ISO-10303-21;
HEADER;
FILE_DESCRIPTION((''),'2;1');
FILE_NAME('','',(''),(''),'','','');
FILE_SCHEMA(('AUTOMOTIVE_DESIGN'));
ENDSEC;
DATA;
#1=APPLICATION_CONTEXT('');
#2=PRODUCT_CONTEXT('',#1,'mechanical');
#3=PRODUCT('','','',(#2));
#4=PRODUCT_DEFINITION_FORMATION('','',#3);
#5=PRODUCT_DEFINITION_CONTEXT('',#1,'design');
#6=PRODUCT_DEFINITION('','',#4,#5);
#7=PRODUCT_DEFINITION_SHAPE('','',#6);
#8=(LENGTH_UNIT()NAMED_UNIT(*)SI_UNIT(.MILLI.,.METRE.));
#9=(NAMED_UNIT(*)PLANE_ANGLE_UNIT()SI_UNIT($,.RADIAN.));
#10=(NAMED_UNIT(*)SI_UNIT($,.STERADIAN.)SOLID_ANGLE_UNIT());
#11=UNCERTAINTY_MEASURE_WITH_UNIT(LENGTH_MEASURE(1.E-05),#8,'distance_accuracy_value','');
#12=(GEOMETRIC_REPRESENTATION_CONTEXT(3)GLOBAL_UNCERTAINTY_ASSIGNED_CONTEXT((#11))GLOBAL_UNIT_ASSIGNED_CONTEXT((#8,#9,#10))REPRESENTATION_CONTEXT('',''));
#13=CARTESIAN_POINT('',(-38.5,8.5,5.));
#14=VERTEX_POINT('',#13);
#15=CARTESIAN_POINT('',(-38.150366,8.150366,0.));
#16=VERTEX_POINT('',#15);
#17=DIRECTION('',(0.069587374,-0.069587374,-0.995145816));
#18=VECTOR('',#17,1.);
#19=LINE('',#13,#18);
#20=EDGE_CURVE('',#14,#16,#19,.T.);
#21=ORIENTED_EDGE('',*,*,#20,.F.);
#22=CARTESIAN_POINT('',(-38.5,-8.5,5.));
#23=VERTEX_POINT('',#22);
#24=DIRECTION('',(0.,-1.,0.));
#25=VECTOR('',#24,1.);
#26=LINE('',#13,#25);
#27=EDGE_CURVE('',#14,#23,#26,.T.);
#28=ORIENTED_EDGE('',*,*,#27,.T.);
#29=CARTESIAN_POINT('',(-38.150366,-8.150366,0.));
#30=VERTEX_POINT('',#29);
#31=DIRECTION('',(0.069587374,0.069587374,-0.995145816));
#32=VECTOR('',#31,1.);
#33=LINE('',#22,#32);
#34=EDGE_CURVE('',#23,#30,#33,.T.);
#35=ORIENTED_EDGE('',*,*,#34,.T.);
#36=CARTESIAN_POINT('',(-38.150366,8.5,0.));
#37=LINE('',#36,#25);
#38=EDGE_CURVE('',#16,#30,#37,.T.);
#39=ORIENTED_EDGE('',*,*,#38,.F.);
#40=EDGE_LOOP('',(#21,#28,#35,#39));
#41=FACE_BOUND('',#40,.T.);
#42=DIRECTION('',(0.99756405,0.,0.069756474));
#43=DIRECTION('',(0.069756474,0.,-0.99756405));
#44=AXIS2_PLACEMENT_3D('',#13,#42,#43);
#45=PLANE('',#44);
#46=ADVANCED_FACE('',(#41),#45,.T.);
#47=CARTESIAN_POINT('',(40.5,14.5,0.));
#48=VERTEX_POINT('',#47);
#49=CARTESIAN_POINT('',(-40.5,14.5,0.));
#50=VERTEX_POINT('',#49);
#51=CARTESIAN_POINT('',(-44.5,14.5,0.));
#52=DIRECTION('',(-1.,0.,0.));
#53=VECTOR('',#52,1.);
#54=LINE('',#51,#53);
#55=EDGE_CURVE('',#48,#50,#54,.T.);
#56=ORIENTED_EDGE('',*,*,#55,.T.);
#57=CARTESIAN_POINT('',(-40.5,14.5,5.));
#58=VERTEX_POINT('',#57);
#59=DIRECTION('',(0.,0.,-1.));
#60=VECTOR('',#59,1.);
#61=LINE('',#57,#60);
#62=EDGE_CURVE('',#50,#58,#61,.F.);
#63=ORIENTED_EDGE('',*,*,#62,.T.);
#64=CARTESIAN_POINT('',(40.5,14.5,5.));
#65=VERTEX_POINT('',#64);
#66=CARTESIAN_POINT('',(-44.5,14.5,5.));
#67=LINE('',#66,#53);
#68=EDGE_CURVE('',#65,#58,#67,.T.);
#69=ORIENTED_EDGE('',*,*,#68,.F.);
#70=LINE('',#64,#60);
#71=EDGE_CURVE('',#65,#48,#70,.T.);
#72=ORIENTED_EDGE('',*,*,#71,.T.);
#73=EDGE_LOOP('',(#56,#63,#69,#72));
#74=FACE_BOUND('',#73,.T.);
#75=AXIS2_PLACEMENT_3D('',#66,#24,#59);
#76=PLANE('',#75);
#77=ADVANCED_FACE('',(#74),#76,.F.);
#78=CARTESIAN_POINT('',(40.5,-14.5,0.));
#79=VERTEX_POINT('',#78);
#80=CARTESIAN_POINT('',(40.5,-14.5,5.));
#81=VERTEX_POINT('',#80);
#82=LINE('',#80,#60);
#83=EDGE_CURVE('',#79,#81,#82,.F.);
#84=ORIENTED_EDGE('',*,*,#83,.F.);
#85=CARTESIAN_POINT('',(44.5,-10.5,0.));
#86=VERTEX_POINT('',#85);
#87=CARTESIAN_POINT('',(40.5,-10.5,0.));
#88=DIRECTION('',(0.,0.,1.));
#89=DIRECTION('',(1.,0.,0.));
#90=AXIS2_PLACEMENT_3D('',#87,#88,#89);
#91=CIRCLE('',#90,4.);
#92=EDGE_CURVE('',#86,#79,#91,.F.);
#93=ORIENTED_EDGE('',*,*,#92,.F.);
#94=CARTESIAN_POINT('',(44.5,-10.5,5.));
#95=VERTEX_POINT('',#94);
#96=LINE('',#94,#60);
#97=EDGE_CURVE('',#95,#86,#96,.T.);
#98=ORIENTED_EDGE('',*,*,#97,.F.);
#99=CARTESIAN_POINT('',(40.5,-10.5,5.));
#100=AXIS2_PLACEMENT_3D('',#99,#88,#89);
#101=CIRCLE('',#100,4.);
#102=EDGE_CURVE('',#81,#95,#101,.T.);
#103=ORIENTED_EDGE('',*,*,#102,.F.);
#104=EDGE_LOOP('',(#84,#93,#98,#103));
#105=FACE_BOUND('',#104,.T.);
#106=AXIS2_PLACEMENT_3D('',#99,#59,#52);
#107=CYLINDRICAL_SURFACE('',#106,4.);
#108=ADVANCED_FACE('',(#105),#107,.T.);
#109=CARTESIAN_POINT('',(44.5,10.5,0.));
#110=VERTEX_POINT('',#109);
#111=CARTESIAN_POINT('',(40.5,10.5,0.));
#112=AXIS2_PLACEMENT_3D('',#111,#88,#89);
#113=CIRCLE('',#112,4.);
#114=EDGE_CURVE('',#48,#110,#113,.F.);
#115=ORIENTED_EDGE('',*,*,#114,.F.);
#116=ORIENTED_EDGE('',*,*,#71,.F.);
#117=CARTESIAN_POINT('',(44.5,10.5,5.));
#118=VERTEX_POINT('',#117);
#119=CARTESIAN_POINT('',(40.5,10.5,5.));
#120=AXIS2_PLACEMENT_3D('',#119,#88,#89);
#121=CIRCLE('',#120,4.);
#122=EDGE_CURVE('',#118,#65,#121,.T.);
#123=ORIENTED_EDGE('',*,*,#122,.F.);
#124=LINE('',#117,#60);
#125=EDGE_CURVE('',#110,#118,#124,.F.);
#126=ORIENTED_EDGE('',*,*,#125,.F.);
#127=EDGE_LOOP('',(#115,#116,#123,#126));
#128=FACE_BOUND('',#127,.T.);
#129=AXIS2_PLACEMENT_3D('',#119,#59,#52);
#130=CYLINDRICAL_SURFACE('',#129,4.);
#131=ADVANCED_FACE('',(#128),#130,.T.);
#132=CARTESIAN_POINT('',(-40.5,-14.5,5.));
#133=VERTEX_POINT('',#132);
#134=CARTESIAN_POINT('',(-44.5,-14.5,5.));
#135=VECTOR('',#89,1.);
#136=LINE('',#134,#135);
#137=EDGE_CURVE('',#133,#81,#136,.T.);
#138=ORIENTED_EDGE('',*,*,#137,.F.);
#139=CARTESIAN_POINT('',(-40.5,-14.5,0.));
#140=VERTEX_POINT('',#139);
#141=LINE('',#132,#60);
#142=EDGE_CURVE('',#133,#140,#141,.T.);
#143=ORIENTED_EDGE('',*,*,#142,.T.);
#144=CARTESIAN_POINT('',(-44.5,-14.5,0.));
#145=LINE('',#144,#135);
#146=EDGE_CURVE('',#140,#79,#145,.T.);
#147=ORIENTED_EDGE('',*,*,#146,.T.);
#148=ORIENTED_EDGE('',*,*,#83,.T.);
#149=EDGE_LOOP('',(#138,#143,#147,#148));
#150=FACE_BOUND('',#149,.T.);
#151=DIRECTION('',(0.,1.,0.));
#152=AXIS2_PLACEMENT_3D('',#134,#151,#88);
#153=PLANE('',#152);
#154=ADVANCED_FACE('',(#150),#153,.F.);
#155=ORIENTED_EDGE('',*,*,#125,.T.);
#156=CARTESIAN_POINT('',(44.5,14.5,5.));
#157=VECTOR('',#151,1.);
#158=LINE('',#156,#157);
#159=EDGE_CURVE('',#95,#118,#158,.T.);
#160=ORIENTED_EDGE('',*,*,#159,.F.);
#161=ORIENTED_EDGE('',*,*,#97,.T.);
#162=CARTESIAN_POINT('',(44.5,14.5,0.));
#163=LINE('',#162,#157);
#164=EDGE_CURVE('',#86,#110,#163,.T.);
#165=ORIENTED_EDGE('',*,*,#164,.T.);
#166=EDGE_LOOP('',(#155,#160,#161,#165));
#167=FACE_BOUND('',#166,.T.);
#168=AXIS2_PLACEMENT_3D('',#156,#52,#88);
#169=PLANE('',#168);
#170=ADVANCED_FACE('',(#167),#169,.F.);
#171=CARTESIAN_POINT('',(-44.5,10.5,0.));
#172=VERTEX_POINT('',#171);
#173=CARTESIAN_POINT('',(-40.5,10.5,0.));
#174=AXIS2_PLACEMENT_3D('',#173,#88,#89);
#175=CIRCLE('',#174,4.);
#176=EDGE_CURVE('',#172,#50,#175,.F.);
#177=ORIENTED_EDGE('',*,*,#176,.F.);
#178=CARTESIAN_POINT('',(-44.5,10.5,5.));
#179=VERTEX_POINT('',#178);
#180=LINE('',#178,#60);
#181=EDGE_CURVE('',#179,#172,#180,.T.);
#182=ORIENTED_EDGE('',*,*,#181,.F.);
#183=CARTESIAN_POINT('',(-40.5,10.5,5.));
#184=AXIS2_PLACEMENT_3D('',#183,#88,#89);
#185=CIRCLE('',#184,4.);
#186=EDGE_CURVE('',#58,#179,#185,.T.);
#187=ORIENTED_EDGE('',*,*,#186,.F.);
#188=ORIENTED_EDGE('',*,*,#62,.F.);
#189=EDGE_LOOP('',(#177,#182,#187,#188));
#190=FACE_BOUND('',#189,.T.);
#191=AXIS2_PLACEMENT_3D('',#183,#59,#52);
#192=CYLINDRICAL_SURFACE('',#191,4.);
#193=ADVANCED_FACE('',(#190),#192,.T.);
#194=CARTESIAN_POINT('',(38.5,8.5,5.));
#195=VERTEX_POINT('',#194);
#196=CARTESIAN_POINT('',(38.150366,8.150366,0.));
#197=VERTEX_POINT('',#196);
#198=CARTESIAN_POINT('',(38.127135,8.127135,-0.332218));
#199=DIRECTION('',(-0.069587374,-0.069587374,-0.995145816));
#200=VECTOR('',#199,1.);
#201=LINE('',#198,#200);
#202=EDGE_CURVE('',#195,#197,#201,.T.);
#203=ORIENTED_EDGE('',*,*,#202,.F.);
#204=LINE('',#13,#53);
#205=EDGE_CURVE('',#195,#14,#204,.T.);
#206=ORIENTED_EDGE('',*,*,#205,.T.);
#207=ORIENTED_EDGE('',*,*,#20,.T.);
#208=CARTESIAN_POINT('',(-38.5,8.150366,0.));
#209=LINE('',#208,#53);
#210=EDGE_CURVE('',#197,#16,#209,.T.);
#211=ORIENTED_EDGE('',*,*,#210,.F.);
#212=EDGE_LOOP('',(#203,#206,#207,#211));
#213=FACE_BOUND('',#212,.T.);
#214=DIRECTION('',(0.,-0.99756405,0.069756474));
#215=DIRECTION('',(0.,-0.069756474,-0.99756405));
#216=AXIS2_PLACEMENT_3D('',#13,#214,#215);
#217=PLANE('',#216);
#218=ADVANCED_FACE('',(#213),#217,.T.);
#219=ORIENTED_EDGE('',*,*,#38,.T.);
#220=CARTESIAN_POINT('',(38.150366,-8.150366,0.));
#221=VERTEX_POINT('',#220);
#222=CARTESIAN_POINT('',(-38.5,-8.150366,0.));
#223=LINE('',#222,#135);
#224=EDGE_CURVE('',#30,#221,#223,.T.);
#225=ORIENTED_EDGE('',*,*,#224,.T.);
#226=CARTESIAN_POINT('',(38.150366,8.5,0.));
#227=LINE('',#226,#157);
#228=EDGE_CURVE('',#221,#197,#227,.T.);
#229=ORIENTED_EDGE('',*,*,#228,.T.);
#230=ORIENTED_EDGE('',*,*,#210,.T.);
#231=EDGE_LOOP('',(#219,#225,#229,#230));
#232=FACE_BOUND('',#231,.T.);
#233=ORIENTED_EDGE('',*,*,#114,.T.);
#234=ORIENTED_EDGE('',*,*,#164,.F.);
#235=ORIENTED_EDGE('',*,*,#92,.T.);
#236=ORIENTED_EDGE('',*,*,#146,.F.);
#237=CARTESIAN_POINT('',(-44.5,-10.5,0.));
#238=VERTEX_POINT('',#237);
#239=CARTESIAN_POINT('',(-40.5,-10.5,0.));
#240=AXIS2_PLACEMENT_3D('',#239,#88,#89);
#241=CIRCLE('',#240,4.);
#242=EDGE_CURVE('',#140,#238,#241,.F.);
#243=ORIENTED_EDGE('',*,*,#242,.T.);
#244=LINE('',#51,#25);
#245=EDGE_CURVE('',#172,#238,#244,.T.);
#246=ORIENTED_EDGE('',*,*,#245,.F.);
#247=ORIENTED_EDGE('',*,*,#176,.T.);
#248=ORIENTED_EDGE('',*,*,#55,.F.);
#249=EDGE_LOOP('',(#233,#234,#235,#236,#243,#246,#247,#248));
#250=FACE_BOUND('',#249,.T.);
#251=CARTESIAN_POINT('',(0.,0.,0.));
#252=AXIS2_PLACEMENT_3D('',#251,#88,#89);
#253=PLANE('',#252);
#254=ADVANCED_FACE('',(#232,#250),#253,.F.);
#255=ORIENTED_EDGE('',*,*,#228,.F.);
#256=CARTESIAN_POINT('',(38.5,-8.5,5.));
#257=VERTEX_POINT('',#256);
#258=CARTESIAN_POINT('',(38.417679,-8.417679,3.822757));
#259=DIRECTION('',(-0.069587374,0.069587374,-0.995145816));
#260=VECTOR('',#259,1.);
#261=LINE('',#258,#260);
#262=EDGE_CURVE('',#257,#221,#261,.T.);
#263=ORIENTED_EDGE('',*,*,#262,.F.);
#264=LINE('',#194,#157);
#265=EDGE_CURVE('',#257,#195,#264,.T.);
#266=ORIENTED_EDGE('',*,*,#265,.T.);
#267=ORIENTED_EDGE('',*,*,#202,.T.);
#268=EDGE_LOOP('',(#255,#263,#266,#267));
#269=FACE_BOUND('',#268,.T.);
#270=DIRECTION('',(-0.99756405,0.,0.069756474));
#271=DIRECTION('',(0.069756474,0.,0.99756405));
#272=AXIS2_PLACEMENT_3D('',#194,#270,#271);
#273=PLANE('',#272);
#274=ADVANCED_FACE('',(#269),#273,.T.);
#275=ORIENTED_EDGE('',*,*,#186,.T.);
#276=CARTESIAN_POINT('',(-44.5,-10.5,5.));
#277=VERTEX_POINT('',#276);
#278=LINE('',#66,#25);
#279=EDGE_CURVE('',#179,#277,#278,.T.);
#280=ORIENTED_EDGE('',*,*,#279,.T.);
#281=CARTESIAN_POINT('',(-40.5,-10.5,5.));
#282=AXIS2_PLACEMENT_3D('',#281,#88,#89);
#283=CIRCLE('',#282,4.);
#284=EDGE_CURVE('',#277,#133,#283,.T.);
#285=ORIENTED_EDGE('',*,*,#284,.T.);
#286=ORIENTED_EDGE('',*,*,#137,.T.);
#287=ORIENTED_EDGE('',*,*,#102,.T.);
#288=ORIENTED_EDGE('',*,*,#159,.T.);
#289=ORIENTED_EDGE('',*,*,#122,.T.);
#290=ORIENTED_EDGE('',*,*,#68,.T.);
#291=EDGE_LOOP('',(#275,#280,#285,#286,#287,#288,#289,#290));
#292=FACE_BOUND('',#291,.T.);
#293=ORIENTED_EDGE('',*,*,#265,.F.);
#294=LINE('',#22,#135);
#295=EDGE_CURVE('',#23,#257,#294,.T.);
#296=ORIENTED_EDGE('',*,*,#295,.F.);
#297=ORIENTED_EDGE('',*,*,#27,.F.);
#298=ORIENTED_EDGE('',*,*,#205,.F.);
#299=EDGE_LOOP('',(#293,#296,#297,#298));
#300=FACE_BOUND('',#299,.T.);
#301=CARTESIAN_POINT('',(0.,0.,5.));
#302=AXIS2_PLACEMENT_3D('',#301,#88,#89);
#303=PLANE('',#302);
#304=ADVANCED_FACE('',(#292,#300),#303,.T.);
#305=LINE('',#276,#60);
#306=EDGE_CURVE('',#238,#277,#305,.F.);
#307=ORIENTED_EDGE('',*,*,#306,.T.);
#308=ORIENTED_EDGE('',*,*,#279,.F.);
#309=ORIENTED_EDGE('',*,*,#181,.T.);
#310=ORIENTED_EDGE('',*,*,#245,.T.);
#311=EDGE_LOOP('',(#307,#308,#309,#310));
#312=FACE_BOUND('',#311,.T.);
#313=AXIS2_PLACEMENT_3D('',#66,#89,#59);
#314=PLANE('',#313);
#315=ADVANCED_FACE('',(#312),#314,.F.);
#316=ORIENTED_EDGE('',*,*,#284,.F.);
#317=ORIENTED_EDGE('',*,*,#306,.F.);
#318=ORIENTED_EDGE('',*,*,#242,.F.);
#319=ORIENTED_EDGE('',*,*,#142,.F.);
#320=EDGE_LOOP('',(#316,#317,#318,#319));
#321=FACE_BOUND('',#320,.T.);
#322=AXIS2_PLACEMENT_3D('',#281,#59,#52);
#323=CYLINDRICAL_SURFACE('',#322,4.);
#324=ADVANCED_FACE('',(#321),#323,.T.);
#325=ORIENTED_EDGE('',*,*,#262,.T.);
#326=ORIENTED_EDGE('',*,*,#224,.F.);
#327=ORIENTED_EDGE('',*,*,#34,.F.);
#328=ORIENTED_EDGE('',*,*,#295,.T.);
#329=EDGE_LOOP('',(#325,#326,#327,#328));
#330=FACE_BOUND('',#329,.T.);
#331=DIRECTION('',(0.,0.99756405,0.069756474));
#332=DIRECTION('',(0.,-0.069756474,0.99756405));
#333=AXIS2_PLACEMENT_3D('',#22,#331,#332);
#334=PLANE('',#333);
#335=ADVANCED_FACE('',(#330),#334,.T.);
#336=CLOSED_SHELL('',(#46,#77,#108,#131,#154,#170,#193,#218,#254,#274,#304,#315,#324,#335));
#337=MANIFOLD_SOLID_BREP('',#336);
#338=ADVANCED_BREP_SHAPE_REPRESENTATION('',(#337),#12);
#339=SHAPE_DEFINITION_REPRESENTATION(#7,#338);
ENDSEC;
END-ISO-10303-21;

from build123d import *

# Parameters (mm, degrees)
SKETCH1_W           = 89
SKETCH1_H           = 29
SKETCH1_W_2         = 77
SKETCH1_H_2         = 17
BOSS_EXTRUDE1_DEPTH = 5
FILLET1_R           = 4
DRAFT1_ANGLE        = 4


with BuildPart() as part:
    # Sketch1 → Boss-Extrude1 (new body)
    with BuildSketch(Plane.XY):
        Rectangle(SKETCH1_W, SKETCH1_H)
        Rectangle(SKETCH1_W_2, SKETCH1_H_2, mode=Mode.SUBTRACT)
    extrude(amount=BOSS_EXTRUDE1_DEPTH)

    # Fillet1
    fillet1_edges = [part.edges().sort_by_distance(p)[0] for p in [
        (44.5, -14.5, 2.5),
        (-44.5, -14.5, 2.5),
        (-44.5, 14.5, 2.5),
        (44.5, 14.5, 2.5),
    ]]
    fillet(fillet1_edges, radius=FILLET1_R)

    # Draft1
    draft1_faces = [part.faces().sort_by_distance(p)[0] for p in [
        (38.5, 0, 2.5),
        (0, -8.5, 2.5),
        (-38.5, 0, 2.5),
        (0, 8.5, 2.5),
    ]]
    draft(draft1_faces, Plane.XY.offset(5), DRAFT1_ANGLE)


solid = part.part
